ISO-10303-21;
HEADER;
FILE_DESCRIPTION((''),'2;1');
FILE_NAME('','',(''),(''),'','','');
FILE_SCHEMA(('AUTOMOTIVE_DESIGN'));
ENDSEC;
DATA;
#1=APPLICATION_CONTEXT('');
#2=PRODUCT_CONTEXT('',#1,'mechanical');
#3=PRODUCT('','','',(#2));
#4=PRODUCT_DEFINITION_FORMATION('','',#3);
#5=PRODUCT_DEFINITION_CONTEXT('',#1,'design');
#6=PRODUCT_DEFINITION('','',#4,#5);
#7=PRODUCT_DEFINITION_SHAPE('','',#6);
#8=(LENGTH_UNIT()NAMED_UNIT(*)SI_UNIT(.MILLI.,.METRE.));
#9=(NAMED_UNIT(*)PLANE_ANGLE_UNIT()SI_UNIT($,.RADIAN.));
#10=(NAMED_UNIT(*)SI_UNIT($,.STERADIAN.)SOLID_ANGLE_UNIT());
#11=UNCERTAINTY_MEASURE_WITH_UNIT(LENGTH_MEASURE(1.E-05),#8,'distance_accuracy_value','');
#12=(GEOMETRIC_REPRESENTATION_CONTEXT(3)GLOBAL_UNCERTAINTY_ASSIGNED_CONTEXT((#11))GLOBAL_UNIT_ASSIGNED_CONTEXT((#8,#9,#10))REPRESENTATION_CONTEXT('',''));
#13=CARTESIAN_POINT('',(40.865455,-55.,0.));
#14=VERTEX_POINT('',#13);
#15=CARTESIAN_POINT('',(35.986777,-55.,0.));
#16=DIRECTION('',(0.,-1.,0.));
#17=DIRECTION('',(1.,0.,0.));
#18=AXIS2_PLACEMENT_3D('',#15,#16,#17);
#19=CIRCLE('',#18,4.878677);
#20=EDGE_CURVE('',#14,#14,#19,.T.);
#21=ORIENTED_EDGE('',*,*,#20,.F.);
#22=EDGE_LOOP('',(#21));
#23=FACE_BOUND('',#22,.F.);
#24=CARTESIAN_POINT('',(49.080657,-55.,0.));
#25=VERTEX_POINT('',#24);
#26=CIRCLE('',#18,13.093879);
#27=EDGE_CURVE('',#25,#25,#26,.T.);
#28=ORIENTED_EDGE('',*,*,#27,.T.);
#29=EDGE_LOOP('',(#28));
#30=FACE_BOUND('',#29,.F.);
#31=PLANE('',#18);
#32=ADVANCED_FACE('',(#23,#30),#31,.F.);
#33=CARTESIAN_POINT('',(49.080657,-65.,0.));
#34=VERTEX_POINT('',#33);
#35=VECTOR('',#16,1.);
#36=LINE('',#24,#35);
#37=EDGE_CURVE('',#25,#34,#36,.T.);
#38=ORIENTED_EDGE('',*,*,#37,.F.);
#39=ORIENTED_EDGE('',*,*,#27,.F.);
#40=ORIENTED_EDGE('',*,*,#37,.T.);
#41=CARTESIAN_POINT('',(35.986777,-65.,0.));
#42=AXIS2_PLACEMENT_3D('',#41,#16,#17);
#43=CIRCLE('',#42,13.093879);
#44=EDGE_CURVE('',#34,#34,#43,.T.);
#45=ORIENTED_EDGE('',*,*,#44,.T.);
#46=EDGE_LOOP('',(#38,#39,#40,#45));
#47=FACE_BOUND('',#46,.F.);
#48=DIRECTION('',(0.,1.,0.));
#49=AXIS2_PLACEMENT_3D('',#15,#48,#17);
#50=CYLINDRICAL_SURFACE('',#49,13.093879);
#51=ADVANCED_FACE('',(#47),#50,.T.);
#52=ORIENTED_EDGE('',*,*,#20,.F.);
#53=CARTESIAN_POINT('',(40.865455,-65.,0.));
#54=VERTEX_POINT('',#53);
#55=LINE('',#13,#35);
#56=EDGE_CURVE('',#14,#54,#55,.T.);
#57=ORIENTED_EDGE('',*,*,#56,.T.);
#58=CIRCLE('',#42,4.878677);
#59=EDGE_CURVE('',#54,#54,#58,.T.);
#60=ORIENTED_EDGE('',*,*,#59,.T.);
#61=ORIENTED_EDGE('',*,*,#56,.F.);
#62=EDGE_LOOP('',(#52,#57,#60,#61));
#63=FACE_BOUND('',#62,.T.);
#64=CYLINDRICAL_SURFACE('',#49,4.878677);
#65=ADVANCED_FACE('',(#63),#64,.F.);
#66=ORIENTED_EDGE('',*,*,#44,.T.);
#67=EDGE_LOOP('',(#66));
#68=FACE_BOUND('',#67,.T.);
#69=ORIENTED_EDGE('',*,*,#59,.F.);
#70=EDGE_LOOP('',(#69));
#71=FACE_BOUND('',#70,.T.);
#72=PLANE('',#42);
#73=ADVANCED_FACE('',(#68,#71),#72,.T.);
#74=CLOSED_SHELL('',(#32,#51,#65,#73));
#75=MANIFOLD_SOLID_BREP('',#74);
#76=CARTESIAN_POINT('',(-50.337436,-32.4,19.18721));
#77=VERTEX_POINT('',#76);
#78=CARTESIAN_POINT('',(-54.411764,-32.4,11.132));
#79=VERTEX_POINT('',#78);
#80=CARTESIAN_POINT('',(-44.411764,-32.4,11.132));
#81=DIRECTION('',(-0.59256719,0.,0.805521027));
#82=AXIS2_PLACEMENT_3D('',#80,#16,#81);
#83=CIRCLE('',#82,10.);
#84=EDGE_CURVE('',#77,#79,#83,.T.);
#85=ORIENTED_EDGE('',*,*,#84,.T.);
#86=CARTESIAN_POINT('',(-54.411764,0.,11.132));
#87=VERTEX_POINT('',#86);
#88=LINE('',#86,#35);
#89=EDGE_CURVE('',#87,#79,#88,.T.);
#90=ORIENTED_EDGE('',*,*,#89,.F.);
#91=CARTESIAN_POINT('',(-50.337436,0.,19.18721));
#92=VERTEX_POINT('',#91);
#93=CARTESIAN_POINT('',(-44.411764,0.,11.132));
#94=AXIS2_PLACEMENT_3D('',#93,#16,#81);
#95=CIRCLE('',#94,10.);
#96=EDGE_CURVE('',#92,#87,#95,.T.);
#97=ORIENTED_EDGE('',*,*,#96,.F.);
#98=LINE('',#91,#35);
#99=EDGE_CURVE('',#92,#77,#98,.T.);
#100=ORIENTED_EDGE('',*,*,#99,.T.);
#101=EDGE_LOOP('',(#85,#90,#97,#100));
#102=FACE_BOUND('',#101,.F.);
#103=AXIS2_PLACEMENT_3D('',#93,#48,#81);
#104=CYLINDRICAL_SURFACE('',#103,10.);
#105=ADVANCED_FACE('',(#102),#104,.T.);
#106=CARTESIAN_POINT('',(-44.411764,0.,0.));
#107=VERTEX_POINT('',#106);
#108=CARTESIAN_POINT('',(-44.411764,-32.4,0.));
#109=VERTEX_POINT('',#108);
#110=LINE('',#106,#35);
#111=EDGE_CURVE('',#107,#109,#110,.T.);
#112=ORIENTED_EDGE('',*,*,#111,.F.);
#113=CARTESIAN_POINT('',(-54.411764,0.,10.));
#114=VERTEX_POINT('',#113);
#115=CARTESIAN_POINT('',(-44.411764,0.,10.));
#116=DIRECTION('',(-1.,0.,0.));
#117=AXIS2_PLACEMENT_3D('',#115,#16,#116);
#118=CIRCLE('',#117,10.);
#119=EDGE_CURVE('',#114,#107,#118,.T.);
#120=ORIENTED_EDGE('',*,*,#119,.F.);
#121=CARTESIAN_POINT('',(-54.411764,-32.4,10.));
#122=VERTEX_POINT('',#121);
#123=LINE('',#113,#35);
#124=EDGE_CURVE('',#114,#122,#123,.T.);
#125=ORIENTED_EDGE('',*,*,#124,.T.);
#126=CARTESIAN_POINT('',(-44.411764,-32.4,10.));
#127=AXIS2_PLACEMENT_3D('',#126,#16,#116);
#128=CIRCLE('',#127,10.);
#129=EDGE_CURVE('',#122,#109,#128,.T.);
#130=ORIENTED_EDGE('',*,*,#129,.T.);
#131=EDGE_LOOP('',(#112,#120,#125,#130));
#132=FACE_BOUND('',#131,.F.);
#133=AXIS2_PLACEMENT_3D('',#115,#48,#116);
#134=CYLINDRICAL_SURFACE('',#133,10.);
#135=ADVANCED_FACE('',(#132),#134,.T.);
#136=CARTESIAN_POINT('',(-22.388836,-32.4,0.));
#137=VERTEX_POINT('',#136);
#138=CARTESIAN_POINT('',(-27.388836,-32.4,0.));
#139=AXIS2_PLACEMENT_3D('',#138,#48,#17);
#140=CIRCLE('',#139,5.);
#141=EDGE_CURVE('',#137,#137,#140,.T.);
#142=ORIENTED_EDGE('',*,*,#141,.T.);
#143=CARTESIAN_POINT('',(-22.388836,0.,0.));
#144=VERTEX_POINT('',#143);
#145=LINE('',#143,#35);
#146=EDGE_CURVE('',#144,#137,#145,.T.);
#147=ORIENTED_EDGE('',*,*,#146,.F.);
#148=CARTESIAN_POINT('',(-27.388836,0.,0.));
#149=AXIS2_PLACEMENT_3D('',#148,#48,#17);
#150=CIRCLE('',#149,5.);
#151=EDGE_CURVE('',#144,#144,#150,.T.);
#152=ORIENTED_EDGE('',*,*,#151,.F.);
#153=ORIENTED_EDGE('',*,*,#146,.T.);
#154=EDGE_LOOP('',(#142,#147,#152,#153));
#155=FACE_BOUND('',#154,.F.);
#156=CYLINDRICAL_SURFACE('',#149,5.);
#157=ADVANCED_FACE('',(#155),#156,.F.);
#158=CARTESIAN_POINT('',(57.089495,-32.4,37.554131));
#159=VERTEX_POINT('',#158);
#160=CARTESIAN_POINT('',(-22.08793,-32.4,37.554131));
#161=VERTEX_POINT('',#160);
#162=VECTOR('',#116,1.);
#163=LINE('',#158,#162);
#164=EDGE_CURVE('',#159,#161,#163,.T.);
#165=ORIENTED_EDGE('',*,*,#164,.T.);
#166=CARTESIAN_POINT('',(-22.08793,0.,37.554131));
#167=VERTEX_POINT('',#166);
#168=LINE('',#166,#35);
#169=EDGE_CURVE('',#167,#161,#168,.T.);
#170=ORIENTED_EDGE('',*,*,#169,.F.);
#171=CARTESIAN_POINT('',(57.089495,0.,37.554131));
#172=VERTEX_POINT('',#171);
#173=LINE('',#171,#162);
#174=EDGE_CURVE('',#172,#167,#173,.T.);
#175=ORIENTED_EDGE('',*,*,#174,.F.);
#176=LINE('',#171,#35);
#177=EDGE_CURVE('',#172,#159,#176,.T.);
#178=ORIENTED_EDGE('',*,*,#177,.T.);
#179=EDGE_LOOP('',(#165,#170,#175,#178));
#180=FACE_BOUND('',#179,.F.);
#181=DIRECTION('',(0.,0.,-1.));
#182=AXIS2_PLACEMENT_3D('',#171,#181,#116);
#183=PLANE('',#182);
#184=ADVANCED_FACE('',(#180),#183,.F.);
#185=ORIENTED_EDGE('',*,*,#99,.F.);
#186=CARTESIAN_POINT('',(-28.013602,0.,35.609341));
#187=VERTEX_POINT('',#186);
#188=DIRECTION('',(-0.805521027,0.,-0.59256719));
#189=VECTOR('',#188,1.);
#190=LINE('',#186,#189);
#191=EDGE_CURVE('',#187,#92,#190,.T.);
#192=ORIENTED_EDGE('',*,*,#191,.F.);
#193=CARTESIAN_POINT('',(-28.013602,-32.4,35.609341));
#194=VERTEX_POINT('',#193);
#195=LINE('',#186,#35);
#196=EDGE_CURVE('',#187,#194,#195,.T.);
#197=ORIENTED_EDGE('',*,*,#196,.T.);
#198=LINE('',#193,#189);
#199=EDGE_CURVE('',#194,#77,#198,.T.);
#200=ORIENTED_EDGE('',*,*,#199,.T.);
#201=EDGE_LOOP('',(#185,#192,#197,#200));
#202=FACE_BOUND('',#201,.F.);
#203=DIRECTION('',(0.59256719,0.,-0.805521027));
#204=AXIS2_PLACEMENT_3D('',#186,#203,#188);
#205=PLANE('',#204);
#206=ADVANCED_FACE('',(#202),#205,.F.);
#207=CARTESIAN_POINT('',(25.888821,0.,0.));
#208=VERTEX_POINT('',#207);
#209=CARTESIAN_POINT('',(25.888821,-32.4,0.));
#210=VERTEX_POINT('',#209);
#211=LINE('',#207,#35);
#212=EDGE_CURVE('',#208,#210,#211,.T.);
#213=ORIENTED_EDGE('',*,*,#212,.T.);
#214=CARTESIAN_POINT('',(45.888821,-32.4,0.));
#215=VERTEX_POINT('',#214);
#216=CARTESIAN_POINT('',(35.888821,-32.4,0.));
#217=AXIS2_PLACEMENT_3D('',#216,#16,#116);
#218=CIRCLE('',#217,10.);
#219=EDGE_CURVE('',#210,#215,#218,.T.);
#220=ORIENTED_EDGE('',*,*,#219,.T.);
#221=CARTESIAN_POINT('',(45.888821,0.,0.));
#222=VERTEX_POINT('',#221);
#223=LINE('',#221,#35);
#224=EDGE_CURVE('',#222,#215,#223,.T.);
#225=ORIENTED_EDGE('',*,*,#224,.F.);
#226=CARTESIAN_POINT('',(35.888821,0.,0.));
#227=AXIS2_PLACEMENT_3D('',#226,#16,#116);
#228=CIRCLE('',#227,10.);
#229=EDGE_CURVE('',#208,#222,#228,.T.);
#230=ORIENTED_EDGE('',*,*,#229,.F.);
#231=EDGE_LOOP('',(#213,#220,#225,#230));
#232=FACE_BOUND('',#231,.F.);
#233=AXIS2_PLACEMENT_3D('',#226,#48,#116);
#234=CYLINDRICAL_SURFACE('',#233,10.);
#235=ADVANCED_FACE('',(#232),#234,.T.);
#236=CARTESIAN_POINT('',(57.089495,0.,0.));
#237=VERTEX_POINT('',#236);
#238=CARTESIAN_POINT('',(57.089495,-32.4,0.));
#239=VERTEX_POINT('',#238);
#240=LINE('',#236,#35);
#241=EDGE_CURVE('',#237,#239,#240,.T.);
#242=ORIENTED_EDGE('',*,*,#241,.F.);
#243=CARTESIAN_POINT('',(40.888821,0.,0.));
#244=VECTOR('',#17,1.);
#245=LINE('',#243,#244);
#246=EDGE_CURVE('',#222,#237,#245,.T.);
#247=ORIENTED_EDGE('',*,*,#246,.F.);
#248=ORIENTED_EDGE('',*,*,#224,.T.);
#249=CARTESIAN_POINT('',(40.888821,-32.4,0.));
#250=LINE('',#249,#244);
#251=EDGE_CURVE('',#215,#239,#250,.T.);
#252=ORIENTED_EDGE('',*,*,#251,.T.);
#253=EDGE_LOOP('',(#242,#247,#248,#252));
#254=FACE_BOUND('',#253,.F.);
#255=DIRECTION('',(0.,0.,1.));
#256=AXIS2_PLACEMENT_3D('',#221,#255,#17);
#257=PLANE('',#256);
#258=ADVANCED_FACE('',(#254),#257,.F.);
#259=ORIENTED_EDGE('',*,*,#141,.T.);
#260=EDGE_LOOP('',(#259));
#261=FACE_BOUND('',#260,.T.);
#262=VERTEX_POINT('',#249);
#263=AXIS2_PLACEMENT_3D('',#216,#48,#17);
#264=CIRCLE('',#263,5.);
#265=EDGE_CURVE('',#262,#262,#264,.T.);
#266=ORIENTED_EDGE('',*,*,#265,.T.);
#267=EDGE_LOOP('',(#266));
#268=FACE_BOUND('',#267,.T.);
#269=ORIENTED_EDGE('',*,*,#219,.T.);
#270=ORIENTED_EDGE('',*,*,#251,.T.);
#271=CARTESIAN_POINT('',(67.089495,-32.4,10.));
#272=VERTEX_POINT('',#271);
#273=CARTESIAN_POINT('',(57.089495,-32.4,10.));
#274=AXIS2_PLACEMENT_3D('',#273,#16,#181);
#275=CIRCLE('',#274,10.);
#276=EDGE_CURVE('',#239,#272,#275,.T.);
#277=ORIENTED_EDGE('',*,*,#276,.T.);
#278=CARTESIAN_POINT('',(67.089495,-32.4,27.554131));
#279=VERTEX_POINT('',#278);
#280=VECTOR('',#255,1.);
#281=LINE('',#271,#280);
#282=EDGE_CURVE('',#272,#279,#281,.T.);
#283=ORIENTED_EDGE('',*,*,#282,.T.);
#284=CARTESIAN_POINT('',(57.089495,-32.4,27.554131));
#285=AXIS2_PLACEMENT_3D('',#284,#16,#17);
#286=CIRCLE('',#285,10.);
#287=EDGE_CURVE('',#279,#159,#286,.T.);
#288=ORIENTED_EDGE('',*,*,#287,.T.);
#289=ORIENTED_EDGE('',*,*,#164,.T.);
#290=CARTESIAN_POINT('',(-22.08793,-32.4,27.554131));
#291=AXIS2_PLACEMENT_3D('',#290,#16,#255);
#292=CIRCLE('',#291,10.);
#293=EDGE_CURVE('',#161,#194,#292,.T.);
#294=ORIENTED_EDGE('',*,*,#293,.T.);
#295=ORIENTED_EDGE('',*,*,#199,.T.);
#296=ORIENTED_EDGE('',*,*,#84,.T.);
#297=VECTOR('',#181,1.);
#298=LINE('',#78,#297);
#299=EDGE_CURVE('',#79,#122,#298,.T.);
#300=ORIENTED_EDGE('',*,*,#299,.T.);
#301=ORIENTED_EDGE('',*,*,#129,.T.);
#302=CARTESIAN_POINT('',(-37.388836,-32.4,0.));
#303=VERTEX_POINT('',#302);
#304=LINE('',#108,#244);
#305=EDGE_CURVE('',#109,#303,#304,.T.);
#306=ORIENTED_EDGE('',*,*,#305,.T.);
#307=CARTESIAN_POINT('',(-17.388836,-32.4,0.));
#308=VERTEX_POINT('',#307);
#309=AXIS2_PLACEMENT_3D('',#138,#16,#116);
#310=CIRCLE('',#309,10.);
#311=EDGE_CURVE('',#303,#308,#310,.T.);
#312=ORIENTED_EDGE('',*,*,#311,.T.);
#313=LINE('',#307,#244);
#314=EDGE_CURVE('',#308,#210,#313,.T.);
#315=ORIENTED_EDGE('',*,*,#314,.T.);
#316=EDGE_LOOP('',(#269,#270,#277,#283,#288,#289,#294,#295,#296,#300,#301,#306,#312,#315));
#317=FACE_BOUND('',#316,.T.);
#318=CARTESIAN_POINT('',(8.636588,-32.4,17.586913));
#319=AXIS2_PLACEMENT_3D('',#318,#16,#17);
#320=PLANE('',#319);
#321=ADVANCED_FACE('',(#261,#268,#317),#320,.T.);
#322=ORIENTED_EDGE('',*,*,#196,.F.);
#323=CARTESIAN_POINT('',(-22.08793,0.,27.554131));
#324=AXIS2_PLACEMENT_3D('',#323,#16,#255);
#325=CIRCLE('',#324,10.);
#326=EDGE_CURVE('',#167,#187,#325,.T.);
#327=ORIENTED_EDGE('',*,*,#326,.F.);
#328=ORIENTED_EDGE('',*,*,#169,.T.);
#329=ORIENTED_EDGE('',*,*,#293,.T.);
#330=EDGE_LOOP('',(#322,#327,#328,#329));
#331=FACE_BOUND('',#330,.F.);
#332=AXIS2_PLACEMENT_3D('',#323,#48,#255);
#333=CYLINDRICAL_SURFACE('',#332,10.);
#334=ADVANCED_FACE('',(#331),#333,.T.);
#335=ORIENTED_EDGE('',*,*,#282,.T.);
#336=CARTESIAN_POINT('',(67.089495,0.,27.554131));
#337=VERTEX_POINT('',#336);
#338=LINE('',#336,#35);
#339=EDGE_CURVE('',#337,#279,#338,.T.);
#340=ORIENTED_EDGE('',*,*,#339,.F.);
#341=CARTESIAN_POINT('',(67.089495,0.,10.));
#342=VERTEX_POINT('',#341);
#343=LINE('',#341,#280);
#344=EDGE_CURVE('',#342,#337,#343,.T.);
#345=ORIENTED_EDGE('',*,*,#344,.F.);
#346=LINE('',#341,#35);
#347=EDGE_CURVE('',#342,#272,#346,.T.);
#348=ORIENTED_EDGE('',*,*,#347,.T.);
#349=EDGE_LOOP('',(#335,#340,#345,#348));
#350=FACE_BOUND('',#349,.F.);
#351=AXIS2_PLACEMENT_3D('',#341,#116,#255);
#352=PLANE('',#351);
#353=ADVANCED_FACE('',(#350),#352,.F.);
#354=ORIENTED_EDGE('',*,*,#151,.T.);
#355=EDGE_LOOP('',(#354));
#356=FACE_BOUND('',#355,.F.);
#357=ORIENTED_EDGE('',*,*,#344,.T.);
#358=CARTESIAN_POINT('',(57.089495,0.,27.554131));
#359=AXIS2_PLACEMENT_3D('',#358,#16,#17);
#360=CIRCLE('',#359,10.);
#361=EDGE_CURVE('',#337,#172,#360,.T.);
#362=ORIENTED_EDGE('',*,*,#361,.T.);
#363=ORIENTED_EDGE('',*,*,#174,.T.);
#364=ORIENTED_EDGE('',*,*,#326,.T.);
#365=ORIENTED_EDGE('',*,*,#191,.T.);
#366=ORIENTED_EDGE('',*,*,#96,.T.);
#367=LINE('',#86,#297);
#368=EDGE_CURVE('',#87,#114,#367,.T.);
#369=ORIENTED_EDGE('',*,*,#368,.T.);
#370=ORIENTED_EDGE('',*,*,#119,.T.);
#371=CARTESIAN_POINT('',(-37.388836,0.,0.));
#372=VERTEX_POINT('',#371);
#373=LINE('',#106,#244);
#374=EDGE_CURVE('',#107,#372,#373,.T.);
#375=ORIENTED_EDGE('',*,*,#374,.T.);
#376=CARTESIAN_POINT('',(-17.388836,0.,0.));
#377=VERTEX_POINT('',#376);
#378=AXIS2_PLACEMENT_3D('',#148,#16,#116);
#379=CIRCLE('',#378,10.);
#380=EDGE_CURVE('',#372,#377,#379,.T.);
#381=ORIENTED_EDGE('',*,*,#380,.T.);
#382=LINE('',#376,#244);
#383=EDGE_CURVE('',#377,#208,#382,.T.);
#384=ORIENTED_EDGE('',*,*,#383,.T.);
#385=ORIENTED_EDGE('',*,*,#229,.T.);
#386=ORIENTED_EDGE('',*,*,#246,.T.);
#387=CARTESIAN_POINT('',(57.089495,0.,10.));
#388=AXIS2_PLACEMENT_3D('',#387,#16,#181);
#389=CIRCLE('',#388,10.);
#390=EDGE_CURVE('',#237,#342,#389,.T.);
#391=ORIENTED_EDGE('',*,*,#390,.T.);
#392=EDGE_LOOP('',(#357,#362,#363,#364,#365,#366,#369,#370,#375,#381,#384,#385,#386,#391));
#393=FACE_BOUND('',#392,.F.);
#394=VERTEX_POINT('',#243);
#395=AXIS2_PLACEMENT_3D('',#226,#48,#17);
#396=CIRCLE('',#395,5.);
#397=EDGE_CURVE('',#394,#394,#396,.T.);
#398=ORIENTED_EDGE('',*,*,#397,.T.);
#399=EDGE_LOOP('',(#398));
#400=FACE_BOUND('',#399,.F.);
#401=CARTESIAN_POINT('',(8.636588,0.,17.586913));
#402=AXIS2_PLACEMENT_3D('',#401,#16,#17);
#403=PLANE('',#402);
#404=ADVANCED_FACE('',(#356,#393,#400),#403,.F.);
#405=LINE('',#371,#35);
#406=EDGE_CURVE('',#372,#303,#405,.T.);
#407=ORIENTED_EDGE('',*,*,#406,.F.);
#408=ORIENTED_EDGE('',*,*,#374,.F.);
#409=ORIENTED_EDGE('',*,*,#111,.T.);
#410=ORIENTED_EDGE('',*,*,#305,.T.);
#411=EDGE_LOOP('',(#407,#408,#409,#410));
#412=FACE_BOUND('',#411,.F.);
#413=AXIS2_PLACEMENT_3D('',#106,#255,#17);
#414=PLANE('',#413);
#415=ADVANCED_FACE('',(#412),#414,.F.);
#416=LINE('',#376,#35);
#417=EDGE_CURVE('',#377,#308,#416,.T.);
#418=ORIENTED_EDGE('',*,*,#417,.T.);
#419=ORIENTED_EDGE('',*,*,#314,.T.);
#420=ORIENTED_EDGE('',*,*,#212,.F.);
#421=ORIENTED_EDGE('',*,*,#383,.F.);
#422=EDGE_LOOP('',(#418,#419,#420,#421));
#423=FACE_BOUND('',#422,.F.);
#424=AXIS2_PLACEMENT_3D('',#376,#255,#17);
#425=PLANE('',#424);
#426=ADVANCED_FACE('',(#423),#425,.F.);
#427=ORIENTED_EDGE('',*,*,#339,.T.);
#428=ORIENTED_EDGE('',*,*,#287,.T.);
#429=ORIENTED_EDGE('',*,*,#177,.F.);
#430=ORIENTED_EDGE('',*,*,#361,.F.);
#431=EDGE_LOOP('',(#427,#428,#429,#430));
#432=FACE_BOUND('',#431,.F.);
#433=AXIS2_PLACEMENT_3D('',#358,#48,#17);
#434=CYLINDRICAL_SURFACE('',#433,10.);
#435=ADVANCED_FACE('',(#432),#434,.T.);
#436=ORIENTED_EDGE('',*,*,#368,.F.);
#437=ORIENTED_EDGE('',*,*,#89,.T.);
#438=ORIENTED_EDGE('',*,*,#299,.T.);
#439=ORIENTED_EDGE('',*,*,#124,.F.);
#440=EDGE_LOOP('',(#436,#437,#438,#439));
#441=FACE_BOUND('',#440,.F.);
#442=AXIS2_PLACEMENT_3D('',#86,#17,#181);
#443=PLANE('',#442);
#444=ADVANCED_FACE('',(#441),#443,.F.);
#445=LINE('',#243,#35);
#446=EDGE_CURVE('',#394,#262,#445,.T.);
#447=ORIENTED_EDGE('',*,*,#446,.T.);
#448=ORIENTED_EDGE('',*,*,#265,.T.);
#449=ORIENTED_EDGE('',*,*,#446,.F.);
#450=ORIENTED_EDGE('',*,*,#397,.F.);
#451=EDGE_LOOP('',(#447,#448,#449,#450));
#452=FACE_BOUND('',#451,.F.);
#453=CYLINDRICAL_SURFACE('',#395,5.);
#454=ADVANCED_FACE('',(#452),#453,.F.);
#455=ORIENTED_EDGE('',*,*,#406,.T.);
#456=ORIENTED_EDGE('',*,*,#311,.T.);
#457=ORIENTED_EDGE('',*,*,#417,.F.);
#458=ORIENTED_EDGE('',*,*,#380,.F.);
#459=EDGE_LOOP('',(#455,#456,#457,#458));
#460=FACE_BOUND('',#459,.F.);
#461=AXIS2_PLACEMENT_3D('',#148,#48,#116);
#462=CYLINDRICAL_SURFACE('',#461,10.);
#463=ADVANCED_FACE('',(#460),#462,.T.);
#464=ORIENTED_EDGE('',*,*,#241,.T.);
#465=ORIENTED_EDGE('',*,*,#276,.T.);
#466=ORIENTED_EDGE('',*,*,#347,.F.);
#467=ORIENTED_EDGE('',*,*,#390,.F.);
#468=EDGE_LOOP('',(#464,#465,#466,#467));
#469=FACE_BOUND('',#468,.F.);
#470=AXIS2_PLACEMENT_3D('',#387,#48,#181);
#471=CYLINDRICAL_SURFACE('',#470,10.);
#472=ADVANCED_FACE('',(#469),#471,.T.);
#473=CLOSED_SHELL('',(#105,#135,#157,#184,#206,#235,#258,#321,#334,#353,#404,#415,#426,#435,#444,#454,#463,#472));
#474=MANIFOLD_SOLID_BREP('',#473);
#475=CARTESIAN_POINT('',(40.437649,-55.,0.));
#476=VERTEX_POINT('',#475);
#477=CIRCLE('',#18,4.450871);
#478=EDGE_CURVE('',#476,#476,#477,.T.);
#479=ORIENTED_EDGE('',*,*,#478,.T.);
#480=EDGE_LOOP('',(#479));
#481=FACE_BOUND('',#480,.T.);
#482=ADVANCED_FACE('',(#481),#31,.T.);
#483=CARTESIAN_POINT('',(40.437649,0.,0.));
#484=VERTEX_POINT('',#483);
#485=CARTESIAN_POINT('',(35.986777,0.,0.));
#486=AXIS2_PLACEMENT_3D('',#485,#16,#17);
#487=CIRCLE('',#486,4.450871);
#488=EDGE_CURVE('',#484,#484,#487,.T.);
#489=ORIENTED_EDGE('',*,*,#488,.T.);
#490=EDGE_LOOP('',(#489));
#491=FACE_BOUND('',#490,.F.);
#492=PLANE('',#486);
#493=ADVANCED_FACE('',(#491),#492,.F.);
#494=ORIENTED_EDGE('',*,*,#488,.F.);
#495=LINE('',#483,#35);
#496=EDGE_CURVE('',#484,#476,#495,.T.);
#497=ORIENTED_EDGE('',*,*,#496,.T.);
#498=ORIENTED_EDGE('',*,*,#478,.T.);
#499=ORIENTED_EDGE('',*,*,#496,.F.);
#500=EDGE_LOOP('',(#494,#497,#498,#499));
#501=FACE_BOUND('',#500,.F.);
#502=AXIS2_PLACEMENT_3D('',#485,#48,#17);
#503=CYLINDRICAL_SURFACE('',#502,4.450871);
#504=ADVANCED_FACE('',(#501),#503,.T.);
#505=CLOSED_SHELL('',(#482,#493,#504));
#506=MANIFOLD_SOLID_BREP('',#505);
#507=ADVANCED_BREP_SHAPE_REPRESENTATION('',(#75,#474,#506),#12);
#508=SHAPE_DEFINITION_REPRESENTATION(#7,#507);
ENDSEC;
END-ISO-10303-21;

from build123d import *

# Parameters (mm, degrees)
F1_DEPTH = 32.4
F2_R     = 4.4508711147
F3_DEPTH = 55
F4_R     = 13.0938793488
F4_R_2   = 4.8786772114
F5_DEPTH = 10


with BuildPart() as f1:
    # F0 (on Front) → F1 (new body)
    with BuildSketch(Plane.XZ):
        with BuildLine():
            Line((-54.4117640608, 11.1319997395), (-54.4117640608, 10))
            ThreePointArc((-54.4117640608, 10), (-51.4828318727, 2.9289321881), (-44.4117640608, 0))
            Line((-44.4117640608, 0), (-37.3888360451, 0))
            ThreePointArc((-37.3888360451, 0), (-27.3888360451, 10), (-17.3888360451, 0))
            Line((-17.3888360451, 0), (25.8888206446, 0))
            ThreePointArc((25.8888206446, 0), (35.8888206446, 10), (45.8888206446, 0))
            Line((45.8888206446, 0), (57.0894953274, 0))
            ThreePointArc((57.0894953274, 0), (64.1605631392, 2.9289321881), (67.0894953274, 10))
            Line((67.0894953274, 10), (67.0894953274, 27.5541305458))
            ThreePointArc((67.0894953274, 27.5541305458), (64.1605631392, 34.6251983576), (57.0894953274, 37.5541305458))
            Line((57.0894953274, 37.5541305458), (-22.0879299198, 37.5541305458))
            ThreePointArc((-22.0879299198, 37.5541305458), (-25.2062545738, 37.0555015706), (-28.0136018226, 35.6093408162))
            Line((-28.0136018226, 35.6093408162), (-50.3374359636, 19.1872100099))
            ThreePointArc((-50.3374359636, 19.1872100099), (-53.3352364519, 15.6454951129), (-54.4117640608, 11.1319997395))
        make_face()
        with BuildLine():
            ThreePointArc((-17.3888360451, 0), (-27.3888360451, 10), (-37.3888360451, 0))
            Line((-37.3888360451, 0), (-32.3888360451, 0))
            ThreePointArc((-32.3888360451, 0), (-27.3888360451, 5), (-22.3888360451, 0))
            Line((-22.3888360451, 0), (-17.3888360451, 0))
        make_face()
        with BuildLine():
            Line((-32.3888360451, 0), (-37.3888360451, 0))
            ThreePointArc((-37.3888360451, 0), (-27.3888360451, -10), (-17.3888360451, 0))
            Line((-17.3888360451, 0), (-22.3888360451, 0))
            ThreePointArc((-22.3888360451, 0), (-27.3888360451, -5), (-32.3888360451, 0))
        make_face()
        with BuildLine():
            ThreePointArc((45.8888206446, 0), (35.8888206446, 10), (25.8888206446, 0))
            Line((25.8888206446, 0), (30.8888206446, 0))
            ThreePointArc((30.8888206446, 0), (35.8888206446, 5), (40.8888206446, 0))
            Line((40.8888206446, 0), (45.8888206446, 0))
        make_face()
        with BuildLine():
            Line((30.8888206446, 0), (25.8888206446, 0))
            ThreePointArc((25.8888206446, 0), (35.8888206446, -10), (45.8888206446, 0))
            Line((45.8888206446, 0), (40.8888206446, 0))
            ThreePointArc((40.8888206446, 0), (35.8888206446, -5), (30.8888206446, 0))
        make_face()
    extrude(amount=F1_DEPTH)


with BuildPart() as f3:
    # F2 (on Front) → F3 (new body)
    with BuildSketch(Plane.XZ):
        with Locations((35.986777395, 0)):
            Circle(F2_R)
    extrude(amount=F3_DEPTH)


with BuildPart() as f5:
    # F4 (on face) → F5 (new body)
    with BuildSketch(Plane.XZ.offset(55)):
        with Locations((35.986777395, 0)):
            Circle(F4_R)
        with Locations((35.986777395, 0)):
            Circle(F4_R_2, mode=Mode.SUBTRACT)
    extrude(amount=F5_DEPTH)


solid = Compound([f1.part, f3.part, f5.part])
